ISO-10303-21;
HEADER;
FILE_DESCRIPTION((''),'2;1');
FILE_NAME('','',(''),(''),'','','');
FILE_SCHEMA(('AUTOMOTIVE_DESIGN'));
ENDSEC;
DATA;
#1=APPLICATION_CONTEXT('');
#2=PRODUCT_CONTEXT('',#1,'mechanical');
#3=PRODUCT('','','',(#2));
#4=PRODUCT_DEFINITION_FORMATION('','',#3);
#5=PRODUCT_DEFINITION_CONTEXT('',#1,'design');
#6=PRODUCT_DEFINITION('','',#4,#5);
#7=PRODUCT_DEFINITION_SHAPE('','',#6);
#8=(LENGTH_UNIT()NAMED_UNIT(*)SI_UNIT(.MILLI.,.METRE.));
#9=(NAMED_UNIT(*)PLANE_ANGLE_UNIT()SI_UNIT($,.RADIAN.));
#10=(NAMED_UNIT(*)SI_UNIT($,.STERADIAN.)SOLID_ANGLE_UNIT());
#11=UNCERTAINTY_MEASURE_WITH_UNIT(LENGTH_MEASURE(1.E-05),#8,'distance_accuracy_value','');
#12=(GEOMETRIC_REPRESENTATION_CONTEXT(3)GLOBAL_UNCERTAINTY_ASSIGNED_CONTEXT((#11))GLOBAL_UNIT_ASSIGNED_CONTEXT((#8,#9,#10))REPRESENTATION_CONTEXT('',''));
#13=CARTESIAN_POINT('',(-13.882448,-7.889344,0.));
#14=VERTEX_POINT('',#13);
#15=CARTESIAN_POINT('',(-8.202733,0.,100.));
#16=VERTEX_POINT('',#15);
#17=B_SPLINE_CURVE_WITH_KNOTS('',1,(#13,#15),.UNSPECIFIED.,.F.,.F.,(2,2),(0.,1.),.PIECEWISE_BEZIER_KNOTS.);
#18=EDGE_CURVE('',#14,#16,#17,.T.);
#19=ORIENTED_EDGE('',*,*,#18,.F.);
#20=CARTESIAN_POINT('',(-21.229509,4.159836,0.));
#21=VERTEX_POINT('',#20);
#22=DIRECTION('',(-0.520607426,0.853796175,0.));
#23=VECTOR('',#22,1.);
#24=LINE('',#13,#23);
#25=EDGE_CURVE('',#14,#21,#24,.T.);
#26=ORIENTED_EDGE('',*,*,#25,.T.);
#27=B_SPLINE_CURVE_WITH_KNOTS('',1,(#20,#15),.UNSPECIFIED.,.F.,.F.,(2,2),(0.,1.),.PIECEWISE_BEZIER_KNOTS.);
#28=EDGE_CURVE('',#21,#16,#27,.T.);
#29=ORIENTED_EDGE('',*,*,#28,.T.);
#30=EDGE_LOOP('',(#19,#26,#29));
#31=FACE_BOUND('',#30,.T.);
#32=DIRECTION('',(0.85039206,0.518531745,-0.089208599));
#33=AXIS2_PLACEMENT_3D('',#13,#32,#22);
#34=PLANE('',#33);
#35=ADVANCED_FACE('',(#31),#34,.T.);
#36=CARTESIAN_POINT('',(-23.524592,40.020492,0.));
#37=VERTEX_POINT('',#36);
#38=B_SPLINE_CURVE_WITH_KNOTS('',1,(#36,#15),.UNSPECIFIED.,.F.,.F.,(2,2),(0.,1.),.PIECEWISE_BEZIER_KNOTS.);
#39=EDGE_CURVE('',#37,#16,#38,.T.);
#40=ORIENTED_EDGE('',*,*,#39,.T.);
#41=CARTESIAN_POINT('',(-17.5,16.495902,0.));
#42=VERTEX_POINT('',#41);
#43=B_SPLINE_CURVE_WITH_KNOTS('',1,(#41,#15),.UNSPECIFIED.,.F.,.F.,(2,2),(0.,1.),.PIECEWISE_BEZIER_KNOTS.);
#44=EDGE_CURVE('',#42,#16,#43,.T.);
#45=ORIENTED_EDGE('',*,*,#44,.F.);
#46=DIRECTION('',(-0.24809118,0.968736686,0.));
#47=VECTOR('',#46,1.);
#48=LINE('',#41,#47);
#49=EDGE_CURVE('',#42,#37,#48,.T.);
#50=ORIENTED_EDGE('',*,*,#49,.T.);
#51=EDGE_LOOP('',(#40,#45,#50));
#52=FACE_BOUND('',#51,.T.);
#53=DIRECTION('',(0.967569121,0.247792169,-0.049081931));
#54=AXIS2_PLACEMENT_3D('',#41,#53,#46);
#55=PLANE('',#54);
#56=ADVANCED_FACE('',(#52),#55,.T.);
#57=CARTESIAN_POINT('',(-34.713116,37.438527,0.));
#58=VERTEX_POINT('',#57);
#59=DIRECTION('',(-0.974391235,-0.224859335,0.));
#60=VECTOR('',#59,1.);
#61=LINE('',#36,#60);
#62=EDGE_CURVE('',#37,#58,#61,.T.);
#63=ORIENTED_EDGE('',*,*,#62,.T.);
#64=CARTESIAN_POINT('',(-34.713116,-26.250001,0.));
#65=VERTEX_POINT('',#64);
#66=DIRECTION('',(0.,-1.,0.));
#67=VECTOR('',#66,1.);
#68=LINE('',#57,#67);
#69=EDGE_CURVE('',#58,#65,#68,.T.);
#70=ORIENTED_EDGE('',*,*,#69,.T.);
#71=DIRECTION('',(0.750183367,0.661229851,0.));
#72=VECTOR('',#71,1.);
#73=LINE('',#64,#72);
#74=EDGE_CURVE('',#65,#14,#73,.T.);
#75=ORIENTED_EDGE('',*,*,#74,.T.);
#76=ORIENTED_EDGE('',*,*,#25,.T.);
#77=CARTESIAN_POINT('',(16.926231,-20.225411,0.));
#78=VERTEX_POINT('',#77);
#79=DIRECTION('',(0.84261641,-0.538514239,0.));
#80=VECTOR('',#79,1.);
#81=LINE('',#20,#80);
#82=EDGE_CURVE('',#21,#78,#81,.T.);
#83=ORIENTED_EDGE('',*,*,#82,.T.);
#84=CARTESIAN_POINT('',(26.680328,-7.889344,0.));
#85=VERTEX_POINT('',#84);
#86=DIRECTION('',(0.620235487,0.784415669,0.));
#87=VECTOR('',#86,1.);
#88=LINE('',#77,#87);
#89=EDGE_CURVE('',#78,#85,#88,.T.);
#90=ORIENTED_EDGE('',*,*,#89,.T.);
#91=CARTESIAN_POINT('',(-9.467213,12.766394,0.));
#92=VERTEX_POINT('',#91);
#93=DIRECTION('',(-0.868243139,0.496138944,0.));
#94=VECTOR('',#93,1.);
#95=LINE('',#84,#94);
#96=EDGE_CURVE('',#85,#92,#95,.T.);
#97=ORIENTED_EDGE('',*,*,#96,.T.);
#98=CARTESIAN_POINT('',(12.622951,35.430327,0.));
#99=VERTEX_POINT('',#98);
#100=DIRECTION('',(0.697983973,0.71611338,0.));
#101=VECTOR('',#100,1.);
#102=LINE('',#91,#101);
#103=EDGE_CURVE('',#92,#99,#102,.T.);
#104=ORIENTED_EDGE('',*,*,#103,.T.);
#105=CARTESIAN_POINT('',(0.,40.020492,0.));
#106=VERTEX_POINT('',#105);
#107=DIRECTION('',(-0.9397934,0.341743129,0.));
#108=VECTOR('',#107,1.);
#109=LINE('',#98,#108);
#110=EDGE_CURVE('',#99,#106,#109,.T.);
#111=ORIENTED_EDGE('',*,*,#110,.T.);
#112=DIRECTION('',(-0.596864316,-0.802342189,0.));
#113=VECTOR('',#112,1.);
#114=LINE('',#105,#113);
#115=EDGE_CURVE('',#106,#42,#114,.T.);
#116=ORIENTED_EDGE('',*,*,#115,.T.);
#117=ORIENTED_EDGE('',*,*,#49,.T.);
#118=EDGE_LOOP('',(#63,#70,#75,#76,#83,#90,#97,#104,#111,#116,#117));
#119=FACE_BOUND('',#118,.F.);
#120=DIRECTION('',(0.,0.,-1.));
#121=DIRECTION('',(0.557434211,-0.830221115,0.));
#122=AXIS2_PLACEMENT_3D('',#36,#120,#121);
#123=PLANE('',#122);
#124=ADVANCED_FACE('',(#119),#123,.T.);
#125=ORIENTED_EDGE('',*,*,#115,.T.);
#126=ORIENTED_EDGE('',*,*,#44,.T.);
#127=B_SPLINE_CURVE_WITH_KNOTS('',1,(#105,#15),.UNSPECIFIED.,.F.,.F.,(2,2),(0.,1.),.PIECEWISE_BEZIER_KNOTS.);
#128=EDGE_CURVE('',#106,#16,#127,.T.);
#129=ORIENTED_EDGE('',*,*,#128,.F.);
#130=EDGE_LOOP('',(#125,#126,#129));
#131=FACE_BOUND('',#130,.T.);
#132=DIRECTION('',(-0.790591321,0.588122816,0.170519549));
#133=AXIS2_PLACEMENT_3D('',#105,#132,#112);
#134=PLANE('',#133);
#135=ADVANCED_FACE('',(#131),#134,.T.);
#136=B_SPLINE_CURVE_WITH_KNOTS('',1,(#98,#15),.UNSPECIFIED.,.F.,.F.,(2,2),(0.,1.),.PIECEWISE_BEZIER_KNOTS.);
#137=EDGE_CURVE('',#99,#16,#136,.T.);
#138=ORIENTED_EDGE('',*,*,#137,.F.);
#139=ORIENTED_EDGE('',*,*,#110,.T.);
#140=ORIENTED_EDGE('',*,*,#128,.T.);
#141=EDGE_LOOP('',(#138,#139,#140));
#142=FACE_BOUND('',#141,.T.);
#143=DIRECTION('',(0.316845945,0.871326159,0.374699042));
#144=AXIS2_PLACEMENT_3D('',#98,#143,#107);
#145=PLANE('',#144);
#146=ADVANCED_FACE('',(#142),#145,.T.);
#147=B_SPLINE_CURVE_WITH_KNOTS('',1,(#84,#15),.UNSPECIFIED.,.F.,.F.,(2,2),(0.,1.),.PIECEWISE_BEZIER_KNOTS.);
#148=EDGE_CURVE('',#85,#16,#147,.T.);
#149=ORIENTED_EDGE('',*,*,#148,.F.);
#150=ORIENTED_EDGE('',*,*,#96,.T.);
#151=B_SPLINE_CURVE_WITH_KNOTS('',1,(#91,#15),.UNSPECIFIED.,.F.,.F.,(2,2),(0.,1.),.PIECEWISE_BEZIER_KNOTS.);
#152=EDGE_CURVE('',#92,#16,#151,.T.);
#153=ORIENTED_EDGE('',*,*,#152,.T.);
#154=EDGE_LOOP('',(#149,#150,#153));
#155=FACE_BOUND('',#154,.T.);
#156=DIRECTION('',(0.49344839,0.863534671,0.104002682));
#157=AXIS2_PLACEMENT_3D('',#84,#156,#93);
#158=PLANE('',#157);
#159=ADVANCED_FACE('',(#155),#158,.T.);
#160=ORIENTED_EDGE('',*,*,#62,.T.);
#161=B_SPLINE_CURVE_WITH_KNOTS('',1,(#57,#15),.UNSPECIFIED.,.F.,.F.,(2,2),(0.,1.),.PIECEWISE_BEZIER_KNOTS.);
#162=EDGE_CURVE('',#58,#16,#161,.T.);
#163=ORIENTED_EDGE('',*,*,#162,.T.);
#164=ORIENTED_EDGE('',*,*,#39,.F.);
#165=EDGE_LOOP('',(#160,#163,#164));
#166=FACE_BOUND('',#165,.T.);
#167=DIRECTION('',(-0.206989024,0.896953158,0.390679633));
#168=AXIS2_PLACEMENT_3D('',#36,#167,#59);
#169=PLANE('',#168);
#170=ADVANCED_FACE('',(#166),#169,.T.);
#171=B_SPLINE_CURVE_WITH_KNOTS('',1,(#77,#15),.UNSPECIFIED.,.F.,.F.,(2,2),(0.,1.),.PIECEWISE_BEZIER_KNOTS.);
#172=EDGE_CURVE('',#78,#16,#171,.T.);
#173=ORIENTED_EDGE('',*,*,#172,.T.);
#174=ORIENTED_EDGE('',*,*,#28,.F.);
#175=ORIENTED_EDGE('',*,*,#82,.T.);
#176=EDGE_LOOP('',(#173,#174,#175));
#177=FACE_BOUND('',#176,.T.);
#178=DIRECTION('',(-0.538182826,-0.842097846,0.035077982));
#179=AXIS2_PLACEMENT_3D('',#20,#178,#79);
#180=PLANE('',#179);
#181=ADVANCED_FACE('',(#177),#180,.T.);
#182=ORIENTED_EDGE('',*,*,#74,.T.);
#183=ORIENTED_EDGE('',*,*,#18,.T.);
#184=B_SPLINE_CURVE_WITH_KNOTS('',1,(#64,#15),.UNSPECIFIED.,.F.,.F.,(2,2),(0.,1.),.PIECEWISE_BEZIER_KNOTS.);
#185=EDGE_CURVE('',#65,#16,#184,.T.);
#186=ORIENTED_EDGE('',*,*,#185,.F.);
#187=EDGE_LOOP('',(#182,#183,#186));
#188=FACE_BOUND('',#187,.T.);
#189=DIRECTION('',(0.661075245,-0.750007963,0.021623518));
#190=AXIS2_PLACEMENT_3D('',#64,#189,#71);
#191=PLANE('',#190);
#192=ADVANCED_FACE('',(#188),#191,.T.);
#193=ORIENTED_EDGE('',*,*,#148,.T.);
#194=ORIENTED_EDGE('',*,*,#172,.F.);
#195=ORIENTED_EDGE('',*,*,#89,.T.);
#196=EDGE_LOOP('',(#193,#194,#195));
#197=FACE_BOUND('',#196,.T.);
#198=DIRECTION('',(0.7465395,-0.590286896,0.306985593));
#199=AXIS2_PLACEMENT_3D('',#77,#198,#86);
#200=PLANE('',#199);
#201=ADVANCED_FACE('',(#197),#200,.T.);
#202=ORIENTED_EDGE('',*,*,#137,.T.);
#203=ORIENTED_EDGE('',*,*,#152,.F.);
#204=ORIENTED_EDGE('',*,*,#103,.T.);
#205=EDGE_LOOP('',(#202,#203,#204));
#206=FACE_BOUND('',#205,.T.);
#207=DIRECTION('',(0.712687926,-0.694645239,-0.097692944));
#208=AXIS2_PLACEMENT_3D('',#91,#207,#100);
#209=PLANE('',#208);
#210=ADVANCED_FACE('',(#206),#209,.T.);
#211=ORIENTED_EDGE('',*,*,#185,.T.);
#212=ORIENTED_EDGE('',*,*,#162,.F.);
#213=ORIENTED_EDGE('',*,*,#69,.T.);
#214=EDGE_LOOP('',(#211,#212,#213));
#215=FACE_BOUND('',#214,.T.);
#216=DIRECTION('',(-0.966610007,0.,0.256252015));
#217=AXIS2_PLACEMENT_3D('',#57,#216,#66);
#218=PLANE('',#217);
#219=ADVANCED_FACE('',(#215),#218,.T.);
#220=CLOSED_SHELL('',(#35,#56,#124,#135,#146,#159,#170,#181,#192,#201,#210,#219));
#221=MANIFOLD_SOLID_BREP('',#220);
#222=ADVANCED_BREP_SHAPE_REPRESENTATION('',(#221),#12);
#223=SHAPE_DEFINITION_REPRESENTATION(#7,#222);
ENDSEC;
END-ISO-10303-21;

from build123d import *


with BuildPart() as f3:
    # F0 (on Top) → F3 section 0
    with BuildSketch(Plane.XY, mode=Mode.PRIVATE) as f3_s0:
        Polygon((-23.524592, 40.020492), (-34.713116, 37.438527), (-34.713116, -26.250001), (-13.882448, -7.889344), (-21.229509, 4.159836), (16.926231, -20.225411), (26.680328, -7.889344), (-9.467213, 12.766394), (12.622951, 35.430327), (0, 40.020492), (-17.5, 16.495902), align=None)
    loft([f3_s0.sketch, Vertex(-8.202733, 0, 100)])


solid = f3.part
